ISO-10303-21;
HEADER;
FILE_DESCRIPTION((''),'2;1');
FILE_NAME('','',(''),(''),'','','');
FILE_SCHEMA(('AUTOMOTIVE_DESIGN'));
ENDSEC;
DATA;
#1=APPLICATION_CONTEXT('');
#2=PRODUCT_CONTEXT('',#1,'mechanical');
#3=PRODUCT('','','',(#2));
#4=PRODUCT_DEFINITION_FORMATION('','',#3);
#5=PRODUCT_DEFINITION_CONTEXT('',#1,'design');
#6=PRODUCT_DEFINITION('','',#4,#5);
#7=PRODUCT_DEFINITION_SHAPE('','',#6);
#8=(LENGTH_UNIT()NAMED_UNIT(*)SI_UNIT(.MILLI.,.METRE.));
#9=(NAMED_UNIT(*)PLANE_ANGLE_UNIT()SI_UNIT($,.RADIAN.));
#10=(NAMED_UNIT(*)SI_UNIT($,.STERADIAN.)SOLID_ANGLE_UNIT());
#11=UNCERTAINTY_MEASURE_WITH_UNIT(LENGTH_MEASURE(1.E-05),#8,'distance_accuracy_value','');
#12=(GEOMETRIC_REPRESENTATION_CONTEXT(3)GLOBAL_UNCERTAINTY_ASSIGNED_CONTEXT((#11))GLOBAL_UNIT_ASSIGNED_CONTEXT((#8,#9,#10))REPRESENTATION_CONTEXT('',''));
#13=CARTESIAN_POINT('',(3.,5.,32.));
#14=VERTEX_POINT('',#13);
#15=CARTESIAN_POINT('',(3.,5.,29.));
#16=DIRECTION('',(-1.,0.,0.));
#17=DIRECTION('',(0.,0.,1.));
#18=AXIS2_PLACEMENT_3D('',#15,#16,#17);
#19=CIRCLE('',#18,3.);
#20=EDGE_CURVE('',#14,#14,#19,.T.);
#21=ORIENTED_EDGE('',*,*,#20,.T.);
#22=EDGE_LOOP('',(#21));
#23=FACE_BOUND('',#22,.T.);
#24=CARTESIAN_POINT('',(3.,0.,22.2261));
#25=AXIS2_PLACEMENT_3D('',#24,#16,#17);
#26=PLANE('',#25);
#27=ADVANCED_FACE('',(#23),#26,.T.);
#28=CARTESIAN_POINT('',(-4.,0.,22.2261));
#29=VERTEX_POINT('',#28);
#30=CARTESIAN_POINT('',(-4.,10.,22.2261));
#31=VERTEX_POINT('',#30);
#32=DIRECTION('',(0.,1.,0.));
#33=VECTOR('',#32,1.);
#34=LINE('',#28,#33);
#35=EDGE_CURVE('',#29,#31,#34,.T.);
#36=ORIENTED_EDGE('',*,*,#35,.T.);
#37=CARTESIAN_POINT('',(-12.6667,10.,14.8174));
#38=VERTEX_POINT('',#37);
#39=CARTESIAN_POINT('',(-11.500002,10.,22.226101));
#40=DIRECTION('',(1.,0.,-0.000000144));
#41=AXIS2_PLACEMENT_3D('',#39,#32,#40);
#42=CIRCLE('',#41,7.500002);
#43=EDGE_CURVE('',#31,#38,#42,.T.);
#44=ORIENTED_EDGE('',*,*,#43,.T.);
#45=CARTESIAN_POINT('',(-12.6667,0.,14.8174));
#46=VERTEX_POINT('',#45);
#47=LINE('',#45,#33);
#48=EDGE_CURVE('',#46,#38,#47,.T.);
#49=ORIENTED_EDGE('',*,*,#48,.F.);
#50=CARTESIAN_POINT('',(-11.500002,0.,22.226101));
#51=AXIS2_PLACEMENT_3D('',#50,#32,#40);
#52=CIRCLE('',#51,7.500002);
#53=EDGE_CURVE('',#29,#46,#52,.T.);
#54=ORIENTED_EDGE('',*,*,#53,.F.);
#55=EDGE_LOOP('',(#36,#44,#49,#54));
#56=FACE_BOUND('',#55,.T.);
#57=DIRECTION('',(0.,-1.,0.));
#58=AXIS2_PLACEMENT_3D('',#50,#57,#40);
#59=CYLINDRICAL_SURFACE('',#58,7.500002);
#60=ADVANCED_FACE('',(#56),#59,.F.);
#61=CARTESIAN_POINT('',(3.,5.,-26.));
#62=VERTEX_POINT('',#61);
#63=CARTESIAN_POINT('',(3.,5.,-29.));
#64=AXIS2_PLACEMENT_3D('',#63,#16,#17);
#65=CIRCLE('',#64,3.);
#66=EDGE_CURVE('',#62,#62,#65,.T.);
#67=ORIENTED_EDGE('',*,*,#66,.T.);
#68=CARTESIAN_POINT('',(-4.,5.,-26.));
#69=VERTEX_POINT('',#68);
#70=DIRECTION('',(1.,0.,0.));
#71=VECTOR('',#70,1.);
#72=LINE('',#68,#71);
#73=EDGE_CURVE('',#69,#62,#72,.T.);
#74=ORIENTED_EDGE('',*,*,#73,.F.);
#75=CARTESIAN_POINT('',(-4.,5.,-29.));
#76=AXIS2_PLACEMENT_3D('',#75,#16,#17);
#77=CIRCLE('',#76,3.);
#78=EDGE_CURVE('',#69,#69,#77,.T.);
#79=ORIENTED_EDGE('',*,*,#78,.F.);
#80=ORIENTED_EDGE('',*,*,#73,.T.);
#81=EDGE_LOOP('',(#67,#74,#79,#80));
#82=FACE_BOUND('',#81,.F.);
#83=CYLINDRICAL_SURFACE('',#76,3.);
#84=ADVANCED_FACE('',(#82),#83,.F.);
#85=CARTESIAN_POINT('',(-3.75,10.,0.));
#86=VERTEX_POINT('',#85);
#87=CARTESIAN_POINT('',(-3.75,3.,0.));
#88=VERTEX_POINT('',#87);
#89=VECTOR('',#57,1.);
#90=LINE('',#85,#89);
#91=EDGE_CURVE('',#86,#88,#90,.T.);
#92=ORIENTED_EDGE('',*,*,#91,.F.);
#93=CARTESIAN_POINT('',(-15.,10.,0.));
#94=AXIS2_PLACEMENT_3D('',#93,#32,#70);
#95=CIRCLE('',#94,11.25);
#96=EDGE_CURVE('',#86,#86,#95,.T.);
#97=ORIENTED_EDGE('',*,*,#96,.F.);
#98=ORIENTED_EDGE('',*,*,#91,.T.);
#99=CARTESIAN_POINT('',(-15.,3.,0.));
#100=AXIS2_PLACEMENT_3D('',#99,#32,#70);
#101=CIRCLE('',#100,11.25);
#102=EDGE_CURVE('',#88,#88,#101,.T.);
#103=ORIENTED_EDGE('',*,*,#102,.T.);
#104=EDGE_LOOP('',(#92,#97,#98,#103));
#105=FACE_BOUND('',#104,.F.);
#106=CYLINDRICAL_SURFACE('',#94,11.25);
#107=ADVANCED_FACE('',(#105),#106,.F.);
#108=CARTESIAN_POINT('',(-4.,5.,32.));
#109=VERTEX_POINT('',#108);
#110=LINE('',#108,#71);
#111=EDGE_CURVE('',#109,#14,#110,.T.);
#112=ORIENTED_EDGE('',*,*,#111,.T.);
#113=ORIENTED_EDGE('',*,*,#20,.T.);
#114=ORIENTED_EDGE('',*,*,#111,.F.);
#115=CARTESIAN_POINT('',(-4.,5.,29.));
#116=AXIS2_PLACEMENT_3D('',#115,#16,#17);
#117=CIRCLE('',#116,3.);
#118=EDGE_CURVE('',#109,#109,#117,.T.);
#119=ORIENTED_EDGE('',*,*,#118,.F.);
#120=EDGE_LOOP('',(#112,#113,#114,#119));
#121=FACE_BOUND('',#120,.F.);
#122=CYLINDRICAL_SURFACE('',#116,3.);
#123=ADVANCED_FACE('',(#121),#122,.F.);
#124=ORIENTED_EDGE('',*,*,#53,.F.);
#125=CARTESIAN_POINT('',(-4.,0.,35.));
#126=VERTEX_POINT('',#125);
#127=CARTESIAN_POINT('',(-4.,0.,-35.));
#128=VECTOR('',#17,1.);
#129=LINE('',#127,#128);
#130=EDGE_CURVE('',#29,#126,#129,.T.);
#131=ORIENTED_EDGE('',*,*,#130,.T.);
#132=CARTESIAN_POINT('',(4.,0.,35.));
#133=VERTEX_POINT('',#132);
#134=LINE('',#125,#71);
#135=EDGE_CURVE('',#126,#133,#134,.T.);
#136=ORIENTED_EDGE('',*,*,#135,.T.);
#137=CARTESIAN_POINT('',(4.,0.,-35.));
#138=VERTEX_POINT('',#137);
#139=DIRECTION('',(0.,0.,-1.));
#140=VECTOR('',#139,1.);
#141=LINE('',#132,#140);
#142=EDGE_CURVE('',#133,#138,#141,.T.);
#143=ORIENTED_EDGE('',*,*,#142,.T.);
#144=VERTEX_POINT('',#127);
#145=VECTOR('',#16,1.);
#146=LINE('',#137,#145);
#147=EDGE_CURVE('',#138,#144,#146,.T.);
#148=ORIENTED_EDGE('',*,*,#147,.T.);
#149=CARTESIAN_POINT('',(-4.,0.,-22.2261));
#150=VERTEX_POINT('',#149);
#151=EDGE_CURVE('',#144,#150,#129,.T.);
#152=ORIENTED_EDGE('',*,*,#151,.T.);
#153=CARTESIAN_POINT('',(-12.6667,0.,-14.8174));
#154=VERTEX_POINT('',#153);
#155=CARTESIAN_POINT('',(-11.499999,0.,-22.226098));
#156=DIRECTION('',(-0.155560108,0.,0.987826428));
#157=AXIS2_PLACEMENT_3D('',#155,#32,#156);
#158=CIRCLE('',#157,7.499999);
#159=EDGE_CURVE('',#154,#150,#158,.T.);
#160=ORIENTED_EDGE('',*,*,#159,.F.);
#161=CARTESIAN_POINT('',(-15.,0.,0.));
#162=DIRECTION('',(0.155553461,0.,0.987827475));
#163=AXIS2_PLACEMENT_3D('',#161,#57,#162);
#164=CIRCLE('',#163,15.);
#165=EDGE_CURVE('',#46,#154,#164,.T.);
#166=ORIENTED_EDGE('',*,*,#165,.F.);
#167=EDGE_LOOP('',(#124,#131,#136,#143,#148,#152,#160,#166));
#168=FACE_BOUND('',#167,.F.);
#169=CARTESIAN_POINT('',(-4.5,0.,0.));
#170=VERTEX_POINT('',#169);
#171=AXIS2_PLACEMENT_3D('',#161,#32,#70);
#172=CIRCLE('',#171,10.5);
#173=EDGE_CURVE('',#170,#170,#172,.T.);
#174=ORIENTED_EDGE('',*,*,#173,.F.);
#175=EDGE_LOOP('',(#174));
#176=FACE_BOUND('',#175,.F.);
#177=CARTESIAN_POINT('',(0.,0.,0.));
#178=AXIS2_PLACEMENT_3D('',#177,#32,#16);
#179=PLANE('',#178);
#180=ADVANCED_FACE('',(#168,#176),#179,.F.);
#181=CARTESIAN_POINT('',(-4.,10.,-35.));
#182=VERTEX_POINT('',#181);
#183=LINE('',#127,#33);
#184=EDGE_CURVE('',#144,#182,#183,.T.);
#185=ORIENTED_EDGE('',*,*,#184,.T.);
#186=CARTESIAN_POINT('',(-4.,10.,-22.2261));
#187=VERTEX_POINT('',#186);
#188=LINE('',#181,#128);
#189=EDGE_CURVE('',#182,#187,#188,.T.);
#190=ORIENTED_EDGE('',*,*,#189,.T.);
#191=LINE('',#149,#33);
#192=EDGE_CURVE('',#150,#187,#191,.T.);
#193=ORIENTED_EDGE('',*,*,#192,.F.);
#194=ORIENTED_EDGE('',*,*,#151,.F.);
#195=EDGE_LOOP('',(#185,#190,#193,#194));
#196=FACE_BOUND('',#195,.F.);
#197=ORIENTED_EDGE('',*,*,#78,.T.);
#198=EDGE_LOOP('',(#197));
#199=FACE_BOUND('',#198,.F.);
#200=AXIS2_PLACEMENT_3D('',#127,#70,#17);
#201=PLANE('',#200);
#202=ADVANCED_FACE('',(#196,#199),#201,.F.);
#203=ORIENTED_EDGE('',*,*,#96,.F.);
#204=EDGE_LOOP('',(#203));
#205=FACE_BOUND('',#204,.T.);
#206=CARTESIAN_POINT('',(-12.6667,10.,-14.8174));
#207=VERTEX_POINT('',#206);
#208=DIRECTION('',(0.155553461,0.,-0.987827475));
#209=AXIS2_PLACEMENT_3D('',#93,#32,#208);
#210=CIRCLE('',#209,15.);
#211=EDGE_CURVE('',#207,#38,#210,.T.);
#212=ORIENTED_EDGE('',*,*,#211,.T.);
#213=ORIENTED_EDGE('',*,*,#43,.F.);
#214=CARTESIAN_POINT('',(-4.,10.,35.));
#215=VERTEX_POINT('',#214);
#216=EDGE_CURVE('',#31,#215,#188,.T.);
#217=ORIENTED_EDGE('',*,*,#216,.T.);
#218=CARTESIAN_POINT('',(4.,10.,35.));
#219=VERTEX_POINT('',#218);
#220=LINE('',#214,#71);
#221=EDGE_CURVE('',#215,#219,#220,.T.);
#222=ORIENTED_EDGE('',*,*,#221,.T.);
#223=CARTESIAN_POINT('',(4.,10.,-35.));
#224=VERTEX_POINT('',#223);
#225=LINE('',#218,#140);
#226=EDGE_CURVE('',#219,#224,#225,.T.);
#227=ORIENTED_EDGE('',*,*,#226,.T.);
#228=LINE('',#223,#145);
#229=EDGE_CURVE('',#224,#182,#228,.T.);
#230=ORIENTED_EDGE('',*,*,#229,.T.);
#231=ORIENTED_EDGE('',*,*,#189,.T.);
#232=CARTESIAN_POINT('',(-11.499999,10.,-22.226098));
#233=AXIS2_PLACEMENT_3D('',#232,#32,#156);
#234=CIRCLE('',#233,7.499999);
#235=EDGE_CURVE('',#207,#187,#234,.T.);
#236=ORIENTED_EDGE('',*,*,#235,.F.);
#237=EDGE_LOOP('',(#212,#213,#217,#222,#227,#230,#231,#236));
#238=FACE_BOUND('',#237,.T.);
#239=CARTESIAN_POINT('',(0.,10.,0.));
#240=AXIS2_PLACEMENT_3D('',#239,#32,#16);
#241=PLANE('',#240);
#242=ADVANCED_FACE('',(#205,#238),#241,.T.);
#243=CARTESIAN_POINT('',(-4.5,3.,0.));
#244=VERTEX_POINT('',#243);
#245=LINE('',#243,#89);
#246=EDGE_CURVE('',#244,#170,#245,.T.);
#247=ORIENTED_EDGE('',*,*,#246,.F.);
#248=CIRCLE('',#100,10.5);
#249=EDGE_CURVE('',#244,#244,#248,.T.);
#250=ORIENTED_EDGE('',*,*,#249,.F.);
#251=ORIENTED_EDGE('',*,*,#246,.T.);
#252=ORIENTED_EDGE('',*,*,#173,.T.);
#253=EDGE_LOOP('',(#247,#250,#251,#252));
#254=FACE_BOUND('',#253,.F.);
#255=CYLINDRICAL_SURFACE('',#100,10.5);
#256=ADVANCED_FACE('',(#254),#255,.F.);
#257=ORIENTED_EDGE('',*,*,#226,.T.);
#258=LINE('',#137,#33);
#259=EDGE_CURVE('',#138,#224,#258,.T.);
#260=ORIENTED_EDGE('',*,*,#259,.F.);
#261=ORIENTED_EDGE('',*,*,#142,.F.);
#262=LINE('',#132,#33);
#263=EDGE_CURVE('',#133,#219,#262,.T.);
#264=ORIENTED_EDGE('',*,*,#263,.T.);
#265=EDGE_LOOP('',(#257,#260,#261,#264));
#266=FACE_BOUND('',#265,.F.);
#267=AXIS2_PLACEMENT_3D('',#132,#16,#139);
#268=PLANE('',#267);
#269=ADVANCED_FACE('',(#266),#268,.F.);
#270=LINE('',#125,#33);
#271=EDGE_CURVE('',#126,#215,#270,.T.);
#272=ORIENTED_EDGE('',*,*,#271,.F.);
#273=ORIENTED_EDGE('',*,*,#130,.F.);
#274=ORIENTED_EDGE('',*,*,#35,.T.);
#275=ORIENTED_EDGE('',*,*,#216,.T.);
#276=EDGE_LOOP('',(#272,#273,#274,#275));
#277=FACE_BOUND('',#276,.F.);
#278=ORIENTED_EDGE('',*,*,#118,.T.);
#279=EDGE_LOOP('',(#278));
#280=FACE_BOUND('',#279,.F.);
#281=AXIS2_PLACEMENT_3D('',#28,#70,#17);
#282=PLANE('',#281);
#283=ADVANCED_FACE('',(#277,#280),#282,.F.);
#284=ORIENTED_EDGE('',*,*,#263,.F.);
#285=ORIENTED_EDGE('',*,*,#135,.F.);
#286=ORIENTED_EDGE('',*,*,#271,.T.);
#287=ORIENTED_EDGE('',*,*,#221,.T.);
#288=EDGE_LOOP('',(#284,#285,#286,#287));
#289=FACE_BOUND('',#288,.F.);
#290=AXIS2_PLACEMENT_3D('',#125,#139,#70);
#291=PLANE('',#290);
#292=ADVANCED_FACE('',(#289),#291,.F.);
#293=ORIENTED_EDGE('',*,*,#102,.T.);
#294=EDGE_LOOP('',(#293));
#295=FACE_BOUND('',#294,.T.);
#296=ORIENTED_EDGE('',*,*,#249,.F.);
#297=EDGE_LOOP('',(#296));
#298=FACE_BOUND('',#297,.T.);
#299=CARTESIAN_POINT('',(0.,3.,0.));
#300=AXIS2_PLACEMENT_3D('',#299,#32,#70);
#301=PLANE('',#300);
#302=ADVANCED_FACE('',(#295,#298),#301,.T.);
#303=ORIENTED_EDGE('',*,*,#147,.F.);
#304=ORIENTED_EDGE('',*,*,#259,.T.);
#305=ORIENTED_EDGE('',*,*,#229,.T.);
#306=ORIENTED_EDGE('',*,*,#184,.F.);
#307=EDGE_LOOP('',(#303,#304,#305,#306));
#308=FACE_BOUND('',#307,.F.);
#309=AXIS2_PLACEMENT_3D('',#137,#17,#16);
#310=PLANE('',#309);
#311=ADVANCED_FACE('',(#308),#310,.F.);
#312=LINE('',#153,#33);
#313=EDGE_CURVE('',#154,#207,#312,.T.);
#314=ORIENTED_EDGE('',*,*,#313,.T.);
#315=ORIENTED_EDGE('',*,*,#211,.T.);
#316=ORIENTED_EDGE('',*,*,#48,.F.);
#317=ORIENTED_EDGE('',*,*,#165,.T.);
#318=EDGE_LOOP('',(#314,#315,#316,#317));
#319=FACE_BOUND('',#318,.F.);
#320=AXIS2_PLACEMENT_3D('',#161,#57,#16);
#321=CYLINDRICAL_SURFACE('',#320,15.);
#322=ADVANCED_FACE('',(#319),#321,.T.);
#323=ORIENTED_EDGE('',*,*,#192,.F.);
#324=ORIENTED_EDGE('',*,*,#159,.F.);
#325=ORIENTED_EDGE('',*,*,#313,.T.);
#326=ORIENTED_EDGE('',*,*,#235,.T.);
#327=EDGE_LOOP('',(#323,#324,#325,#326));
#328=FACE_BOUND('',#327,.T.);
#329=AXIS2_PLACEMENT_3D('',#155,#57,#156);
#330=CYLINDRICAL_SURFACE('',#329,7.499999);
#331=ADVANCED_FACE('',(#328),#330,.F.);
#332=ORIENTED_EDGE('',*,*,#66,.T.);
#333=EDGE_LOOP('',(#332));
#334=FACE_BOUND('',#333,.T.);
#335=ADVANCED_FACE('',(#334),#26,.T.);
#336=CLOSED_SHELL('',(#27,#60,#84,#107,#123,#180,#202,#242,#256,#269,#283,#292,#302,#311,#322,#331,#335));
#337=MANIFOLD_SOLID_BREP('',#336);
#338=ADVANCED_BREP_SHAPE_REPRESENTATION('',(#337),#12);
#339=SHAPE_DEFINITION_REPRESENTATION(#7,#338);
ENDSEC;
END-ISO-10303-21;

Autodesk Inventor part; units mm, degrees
ref_plane "YZ Plane" through (0, 0, 0) normal (1, 0, 0) x (0, 1, 0)
ref_plane "XZ Plane" through (0, 0, 0) normal (0, 1, 0) x (-1, 0, 0)
ref_plane "XY Plane" through (0, 0, 0) normal (0, 0, 1) x (1, 0, 0)
sketch "Sketch1" plane through (0, 0, 0) normal (0, 1, 0) x (-1, 0, 0)
  line L0 (4, 35) -> (-4, 35)
  line L1 (-4, 35) -> (-4, -35)
  line L2 (-4, -35) -> (4, -35)
  line L3 (4, -35) -> (4, 35)
  line L4 (4, 35) -> (-4, -35) construction
  line L5 (-4, 35) -> (4, -35) construction
  circle A0 centre (15, 0) radius 15
  arc A1 (4, 22.2261) -> (12.6667, 14.8174) centre (11.5, 22.2261) ccw
  arc A2 (12.6667, -14.8174) -> (4, -22.2261) centre (11.5, -22.2261) ccw
  point P0 (0, 0)
  dimension "d0" = 8
  dimension "d1" = 70
  dimension "d2" = 30
  dimension "d3" = 15
  dimension "d6" = 15
  dimension "d7" = 7.5
  dimension "d9" = 0
  dimension "d10" = 15
extrude "Extrusion1" add sketch "Sketch1" along normal blind 10
sketch "Sketch2" plane through (0, 10, 0) normal (0, 1, 0) x (1, 0, 0)
  circle A0 centre (-15, 0) radius 11.25
  arc A1 (-12.6667, 14.8174) -> (-12.6667, -14.8174) centre (-15, 0) ccw projected
  point P0 (0, 0)
  dimension "d13" = 22.5
extrude "Extrusion2" cut sketch "Sketch2" against normal blind 7
sketch "Sketch3" plane through (-15, 3, 0) normal (0, 1, 0) x (1, 0, 0)
  circle A0 centre (0, 0) radius 10.5
  point P0 (15, 0)
  dimension "d16" = 21
extrude "Extrusion3" cut sketch "Sketch3" against normal blind 7
sketch "Sketch4" plane through (-4, 0, 22.2261) normal (-1, 0, 0) x (0, 0, 1)
  circle A0 centre (6.7739, 5) radius 3
  line L0 (0, 0) -> (12.7739, 0) projected
  line L1 (12.7739, 0) -> (12.7739, 10) projected
  circle A1 centre (-51.2261, 5) radius 3
  line L2 (-57.2261, 10) -> (-44.4522, 10) projected
  line L3 (-57.2261, 0) -> (-57.2261, 10) projected
  point P0 (-22.2261, 0)
  point P1 (6.3869, 0)
  dimension "d19" = 6
  dimension "d20" = 5
  dimension "d21" = 6
  dimension "d22" = 6
  dimension "d23" = 5
  dimension "d24" = 6
extrude "Extrusion4" cut sketch "Sketch4" against normal blind 7
properties part number "Bearing Holder"
